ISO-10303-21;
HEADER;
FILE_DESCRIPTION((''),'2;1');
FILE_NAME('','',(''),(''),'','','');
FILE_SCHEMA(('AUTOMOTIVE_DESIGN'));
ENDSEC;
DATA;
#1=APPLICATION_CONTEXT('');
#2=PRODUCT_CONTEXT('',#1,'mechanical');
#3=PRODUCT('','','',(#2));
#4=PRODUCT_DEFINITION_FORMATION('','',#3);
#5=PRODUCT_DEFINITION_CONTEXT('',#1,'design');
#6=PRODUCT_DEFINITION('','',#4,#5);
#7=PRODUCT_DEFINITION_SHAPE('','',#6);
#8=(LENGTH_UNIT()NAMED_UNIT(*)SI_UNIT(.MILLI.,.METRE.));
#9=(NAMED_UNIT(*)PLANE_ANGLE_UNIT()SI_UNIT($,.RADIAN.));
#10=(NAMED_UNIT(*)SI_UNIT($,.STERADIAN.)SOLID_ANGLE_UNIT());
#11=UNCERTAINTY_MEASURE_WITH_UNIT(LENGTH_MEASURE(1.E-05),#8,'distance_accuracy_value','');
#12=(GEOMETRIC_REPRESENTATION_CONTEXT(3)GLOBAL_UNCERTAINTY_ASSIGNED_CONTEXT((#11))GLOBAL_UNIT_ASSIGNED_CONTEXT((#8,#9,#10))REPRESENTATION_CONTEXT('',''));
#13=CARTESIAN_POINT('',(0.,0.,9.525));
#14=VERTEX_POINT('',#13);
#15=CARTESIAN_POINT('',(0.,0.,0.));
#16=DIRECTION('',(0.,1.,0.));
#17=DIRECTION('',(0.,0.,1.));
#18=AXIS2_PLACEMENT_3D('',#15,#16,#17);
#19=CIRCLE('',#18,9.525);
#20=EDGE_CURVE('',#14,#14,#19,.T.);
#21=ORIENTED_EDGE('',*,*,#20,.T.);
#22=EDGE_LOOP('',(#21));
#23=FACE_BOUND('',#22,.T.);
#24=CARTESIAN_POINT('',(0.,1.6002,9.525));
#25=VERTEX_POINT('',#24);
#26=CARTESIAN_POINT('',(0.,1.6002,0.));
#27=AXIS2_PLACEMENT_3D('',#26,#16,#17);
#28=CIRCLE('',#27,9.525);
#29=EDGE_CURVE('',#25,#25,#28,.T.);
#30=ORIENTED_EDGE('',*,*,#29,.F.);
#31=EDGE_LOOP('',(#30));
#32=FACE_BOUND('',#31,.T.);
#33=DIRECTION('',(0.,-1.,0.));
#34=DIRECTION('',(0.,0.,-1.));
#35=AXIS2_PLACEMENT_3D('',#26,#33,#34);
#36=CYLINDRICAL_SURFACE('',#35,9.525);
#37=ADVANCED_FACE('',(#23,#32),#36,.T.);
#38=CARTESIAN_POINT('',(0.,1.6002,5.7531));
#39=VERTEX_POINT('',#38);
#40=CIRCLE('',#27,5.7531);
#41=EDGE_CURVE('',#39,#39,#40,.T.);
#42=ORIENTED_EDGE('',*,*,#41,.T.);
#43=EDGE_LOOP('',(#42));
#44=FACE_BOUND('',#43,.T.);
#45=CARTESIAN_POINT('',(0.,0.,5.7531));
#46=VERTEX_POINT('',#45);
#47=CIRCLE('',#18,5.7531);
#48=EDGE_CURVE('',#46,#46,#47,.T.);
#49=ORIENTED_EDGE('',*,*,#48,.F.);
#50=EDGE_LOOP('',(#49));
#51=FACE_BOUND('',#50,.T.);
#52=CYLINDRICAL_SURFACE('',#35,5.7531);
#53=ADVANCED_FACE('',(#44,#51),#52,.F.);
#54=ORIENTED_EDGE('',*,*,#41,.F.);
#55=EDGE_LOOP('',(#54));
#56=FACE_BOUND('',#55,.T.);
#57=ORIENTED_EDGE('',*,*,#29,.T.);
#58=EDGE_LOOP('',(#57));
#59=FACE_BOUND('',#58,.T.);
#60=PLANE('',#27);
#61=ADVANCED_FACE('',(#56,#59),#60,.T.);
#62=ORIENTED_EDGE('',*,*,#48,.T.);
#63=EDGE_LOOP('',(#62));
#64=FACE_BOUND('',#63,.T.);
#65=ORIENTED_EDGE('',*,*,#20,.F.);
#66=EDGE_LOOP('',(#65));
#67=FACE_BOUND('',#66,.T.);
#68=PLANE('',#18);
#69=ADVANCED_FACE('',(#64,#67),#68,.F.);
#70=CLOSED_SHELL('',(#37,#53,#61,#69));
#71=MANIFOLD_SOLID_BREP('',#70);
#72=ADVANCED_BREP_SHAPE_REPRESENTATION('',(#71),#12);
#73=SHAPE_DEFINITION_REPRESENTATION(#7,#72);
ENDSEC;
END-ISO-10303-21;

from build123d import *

# Parameters (mm, degrees)
SKETCH2_R          = 9.525
SKETCH2_R_2        = 5.7531
BASE_EXTRUDE_DEPTH = 1.6002


with BuildPart() as part:
    # Sketch2 → Base-Extrude (new body)
    with BuildSketch(Plane(origin=(0, 0, 0), x_dir=(1, 0, 0), z_dir=(0, 1, 0))):
        Circle(SKETCH2_R)
        Circle(SKETCH2_R_2, mode=Mode.SUBTRACT)
    extrude(amount=BASE_EXTRUDE_DEPTH)


solid = part.part
